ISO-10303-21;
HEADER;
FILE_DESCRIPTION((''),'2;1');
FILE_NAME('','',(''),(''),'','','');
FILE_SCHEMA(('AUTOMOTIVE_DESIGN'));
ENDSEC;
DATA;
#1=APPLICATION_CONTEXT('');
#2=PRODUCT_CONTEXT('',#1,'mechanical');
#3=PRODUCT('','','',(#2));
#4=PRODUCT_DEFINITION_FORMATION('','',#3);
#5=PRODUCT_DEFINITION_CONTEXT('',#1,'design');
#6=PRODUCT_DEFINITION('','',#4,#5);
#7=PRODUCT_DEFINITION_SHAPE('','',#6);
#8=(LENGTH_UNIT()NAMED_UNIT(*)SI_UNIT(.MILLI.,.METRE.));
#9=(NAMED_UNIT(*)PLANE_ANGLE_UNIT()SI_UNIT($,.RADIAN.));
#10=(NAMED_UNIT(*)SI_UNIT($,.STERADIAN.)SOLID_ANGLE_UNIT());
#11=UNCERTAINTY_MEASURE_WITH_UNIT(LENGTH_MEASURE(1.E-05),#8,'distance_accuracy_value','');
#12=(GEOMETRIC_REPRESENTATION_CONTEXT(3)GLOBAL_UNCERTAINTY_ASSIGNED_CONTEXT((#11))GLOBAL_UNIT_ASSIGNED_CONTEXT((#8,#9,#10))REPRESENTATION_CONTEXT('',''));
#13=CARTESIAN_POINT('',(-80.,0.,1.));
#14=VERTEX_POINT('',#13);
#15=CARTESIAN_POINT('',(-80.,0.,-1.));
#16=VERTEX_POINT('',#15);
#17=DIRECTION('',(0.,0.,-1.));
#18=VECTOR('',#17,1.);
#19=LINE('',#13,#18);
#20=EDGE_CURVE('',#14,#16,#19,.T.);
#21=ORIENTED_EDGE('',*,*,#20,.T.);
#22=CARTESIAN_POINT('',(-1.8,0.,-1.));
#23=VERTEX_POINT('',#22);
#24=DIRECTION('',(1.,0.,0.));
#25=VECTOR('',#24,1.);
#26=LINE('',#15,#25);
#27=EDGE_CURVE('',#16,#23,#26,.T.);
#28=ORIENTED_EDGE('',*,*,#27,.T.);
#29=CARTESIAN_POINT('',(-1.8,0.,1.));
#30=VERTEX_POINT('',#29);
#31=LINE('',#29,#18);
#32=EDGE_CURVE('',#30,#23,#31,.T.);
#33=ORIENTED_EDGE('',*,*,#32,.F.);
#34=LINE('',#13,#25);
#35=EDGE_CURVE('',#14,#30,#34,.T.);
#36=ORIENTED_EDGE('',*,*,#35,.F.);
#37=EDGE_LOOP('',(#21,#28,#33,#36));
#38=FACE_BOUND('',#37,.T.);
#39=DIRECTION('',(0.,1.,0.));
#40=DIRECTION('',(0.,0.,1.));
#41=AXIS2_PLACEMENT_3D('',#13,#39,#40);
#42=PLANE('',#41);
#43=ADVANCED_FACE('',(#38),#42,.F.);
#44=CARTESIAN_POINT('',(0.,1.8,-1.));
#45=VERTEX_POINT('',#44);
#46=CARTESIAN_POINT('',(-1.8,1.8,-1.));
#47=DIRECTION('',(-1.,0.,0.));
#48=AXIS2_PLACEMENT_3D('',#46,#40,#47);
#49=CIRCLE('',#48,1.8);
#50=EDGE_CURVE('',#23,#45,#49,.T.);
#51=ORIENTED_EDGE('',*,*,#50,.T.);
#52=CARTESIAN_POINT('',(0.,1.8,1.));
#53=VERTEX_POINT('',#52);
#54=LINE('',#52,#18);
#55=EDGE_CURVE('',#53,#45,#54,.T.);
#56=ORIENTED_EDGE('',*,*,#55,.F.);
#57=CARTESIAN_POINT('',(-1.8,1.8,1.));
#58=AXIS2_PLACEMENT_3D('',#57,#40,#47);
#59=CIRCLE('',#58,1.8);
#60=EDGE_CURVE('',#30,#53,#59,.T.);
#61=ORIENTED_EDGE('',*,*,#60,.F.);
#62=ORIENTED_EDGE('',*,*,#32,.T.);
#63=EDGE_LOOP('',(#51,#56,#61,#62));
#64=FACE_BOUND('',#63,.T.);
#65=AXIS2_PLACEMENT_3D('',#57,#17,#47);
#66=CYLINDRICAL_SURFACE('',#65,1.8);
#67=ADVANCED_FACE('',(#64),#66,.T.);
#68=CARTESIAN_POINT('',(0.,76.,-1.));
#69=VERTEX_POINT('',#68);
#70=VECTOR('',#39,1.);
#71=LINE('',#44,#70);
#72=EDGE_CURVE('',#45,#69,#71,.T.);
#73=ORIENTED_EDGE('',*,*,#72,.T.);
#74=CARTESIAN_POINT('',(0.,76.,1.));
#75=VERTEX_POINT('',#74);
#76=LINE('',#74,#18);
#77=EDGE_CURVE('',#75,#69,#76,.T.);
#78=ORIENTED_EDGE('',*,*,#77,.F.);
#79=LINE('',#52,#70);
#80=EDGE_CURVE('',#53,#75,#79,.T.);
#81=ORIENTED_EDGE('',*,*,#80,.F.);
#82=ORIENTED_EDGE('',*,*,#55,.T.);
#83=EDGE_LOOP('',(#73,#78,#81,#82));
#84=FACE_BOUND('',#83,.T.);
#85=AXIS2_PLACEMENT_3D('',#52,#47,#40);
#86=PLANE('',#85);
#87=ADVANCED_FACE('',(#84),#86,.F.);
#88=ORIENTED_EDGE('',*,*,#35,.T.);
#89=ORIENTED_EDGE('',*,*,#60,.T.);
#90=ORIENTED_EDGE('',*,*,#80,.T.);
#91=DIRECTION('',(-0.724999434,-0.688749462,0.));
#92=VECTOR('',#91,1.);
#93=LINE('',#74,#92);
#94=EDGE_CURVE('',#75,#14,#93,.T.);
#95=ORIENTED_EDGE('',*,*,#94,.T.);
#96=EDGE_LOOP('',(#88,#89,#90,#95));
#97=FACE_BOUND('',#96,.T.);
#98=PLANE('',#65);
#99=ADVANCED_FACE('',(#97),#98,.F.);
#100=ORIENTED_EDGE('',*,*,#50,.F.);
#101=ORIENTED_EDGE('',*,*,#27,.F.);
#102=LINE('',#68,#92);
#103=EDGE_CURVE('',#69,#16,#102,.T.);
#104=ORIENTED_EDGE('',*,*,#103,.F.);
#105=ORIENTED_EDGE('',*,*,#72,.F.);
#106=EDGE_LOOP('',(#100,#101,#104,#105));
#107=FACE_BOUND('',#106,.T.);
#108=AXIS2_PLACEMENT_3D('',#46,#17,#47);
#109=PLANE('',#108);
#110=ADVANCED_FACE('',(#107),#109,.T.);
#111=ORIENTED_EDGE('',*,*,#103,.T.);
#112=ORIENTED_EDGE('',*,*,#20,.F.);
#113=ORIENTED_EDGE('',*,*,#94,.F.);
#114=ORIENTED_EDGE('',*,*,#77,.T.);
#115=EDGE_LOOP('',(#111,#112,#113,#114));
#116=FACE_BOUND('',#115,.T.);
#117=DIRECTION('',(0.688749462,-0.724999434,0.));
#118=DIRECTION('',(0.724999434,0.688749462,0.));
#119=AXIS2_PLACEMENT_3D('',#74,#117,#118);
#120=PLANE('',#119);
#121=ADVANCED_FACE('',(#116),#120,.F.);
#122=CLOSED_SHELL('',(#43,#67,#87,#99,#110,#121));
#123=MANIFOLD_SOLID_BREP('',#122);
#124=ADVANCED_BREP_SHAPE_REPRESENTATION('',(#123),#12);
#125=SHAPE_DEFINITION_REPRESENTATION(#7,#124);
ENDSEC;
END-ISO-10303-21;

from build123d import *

# Parameters (mm, degrees)
BOSS_EXTRUDE1_DEPTH = 1


with BuildPart() as part:
    # Sketch1 → Boss-Extrude1 (new body, symmetric)
    with BuildSketch(Plane.XY):
        with BuildLine():
            Line((0, 1.8), (0, 76))
            Line((0, 76), (-80, 0))
            Line((-80, 0), (-1.8, 0))
            ThreePointArc((-1.8, 0), (-0.527207794, 0.527207794), (0, 1.8))
        make_face()
    extrude(amount=BOSS_EXTRUDE1_DEPTH, both=True)


solid = part.part
